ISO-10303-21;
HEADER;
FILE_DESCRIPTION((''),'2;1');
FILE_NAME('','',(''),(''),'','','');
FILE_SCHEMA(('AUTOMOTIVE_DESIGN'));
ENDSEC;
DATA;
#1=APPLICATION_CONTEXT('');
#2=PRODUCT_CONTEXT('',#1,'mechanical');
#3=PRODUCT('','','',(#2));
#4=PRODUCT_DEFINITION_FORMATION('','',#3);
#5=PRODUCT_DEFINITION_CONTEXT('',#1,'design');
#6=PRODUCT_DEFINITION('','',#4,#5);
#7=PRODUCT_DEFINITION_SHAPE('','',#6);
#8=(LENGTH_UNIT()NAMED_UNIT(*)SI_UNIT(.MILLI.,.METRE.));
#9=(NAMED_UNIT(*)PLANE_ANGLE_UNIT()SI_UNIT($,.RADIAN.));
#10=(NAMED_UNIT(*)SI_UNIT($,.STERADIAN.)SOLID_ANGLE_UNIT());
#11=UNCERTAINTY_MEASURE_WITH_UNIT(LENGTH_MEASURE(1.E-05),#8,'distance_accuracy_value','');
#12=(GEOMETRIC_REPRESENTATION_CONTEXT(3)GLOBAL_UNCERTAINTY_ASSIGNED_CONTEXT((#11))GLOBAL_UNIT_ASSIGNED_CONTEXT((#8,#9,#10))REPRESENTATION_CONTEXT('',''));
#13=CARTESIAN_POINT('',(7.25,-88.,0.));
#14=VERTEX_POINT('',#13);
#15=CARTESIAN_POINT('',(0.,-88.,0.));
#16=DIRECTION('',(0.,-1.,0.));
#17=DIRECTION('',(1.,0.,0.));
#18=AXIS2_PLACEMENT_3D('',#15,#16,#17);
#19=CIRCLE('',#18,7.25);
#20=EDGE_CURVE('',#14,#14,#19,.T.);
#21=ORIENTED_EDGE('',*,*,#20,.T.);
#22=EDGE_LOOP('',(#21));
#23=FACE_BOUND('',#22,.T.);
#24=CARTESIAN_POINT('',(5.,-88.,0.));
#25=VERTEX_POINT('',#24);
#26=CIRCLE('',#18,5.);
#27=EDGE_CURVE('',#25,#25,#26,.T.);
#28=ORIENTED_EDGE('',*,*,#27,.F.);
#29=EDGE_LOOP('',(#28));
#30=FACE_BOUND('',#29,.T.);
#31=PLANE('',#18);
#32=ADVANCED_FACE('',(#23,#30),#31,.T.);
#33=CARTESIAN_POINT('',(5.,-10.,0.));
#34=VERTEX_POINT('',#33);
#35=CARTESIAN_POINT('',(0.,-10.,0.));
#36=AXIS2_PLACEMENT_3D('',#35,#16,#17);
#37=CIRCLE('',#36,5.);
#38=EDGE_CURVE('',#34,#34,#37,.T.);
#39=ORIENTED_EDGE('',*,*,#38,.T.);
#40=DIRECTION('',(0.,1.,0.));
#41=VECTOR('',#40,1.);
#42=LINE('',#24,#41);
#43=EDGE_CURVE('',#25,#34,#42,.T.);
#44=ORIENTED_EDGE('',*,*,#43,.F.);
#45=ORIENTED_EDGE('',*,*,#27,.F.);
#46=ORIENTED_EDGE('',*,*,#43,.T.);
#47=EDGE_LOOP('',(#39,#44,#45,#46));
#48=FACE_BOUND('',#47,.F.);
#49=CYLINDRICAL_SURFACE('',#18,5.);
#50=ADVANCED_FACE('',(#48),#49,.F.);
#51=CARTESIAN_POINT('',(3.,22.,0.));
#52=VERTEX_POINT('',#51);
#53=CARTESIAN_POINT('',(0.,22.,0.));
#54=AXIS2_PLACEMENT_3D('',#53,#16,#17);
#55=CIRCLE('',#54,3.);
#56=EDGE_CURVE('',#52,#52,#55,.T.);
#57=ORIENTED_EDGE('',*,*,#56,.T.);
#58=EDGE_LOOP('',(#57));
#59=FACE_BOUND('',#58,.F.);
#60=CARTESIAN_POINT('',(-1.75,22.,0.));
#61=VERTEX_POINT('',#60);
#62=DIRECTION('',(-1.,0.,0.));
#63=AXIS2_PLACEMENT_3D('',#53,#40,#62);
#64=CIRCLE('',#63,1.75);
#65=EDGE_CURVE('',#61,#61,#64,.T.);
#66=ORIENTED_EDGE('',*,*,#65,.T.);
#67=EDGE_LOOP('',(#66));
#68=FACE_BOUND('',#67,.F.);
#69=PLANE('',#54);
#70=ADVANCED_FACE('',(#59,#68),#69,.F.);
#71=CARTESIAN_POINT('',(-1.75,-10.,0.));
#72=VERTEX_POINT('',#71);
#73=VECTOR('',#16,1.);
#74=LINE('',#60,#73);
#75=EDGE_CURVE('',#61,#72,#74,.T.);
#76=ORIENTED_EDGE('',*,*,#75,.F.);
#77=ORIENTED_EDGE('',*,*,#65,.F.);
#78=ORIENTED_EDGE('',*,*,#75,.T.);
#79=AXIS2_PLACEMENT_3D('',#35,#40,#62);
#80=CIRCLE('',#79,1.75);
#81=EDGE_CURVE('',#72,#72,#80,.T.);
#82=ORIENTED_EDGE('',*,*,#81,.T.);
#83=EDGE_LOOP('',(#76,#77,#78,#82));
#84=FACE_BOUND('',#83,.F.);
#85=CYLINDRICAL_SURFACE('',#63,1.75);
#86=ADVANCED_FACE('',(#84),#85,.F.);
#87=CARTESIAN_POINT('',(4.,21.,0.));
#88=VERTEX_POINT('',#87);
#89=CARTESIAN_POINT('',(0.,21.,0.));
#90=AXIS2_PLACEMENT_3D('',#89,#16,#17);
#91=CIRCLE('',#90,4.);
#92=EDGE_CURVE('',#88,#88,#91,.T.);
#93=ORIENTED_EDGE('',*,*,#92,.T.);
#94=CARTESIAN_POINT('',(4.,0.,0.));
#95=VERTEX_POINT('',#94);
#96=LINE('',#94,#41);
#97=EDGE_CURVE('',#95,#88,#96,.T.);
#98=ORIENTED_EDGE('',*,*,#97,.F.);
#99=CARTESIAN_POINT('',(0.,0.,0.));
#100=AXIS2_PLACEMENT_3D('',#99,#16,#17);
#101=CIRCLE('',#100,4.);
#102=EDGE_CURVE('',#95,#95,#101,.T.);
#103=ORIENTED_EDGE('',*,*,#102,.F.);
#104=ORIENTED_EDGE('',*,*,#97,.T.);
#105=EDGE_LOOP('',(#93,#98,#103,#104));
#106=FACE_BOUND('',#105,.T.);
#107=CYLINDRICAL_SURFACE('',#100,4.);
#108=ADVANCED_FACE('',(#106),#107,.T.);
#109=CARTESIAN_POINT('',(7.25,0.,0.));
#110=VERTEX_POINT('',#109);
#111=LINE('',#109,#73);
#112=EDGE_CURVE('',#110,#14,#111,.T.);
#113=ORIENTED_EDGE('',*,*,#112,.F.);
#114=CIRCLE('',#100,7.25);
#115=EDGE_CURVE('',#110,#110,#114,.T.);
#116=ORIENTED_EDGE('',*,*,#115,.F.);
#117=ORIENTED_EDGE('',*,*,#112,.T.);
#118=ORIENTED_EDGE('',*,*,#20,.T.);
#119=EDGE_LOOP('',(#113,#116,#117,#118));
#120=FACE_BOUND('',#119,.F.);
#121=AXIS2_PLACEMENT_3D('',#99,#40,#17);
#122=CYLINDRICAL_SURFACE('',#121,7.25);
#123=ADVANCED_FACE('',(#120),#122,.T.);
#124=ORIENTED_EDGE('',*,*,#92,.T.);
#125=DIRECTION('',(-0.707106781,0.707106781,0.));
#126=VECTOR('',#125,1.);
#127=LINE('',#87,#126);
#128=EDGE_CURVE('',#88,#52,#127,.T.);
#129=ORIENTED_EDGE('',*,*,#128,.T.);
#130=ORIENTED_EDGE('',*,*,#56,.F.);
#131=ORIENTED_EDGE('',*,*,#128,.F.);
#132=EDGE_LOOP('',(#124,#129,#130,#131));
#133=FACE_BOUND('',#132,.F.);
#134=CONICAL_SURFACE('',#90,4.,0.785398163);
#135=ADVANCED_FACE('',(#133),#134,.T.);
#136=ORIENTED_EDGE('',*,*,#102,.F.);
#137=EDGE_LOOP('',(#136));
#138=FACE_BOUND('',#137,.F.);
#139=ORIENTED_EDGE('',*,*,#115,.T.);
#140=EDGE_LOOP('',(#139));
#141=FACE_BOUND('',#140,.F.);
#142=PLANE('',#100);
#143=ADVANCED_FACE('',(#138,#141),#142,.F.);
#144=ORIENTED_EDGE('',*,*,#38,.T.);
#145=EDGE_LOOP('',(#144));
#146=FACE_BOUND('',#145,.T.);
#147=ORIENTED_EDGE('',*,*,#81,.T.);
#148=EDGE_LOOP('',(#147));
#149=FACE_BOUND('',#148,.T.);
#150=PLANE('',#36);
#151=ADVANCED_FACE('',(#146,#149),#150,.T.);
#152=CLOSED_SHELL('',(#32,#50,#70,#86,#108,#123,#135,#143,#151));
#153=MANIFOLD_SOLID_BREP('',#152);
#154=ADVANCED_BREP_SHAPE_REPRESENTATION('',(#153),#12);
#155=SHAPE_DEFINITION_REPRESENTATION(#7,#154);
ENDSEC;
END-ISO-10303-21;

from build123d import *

# Parameters (mm, degrees)
F0_R     = 7.25
F1_DEPTH = 88
F2_R     = 4
F3_DEPTH = 22
F4_SIZE  = 1
F5_R     = 1.75
F6_DEPTH = 120
F7_R     = 5
F8_DEPTH = 78


with BuildPart() as f1:
    # F0 (on Front) → F1 (new body)
    with BuildSketch(Plane.XZ):
        Circle(F0_R)
    extrude(amount=F1_DEPTH)

    # F2 (on Front) → F3 (join)
    with BuildSketch(Plane.XZ):
        Circle(F2_R)
    extrude(amount=-F3_DEPTH)

    # F4
    f4_edges = [f1.edges().sort_by_distance(p)[0] for p in [
        (-4, 22, 0),
    ]]
    chamfer(f4_edges, length=F4_SIZE)

    # F5 (on face) → F6 (cut)
    with BuildSketch(Plane(origin=(0, 22, 0), x_dir=(-1, 0, 0), z_dir=(0, 1, 0))):
        Circle(F5_R)
    extrude(amount=-F6_DEPTH, mode=Mode.SUBTRACT)

    # F7 (on face) → F8 (cut)
    with BuildSketch(Plane.XZ.offset(88)):
        Circle(F7_R)
    extrude(amount=-F8_DEPTH, mode=Mode.SUBTRACT)


solid = f1.part
